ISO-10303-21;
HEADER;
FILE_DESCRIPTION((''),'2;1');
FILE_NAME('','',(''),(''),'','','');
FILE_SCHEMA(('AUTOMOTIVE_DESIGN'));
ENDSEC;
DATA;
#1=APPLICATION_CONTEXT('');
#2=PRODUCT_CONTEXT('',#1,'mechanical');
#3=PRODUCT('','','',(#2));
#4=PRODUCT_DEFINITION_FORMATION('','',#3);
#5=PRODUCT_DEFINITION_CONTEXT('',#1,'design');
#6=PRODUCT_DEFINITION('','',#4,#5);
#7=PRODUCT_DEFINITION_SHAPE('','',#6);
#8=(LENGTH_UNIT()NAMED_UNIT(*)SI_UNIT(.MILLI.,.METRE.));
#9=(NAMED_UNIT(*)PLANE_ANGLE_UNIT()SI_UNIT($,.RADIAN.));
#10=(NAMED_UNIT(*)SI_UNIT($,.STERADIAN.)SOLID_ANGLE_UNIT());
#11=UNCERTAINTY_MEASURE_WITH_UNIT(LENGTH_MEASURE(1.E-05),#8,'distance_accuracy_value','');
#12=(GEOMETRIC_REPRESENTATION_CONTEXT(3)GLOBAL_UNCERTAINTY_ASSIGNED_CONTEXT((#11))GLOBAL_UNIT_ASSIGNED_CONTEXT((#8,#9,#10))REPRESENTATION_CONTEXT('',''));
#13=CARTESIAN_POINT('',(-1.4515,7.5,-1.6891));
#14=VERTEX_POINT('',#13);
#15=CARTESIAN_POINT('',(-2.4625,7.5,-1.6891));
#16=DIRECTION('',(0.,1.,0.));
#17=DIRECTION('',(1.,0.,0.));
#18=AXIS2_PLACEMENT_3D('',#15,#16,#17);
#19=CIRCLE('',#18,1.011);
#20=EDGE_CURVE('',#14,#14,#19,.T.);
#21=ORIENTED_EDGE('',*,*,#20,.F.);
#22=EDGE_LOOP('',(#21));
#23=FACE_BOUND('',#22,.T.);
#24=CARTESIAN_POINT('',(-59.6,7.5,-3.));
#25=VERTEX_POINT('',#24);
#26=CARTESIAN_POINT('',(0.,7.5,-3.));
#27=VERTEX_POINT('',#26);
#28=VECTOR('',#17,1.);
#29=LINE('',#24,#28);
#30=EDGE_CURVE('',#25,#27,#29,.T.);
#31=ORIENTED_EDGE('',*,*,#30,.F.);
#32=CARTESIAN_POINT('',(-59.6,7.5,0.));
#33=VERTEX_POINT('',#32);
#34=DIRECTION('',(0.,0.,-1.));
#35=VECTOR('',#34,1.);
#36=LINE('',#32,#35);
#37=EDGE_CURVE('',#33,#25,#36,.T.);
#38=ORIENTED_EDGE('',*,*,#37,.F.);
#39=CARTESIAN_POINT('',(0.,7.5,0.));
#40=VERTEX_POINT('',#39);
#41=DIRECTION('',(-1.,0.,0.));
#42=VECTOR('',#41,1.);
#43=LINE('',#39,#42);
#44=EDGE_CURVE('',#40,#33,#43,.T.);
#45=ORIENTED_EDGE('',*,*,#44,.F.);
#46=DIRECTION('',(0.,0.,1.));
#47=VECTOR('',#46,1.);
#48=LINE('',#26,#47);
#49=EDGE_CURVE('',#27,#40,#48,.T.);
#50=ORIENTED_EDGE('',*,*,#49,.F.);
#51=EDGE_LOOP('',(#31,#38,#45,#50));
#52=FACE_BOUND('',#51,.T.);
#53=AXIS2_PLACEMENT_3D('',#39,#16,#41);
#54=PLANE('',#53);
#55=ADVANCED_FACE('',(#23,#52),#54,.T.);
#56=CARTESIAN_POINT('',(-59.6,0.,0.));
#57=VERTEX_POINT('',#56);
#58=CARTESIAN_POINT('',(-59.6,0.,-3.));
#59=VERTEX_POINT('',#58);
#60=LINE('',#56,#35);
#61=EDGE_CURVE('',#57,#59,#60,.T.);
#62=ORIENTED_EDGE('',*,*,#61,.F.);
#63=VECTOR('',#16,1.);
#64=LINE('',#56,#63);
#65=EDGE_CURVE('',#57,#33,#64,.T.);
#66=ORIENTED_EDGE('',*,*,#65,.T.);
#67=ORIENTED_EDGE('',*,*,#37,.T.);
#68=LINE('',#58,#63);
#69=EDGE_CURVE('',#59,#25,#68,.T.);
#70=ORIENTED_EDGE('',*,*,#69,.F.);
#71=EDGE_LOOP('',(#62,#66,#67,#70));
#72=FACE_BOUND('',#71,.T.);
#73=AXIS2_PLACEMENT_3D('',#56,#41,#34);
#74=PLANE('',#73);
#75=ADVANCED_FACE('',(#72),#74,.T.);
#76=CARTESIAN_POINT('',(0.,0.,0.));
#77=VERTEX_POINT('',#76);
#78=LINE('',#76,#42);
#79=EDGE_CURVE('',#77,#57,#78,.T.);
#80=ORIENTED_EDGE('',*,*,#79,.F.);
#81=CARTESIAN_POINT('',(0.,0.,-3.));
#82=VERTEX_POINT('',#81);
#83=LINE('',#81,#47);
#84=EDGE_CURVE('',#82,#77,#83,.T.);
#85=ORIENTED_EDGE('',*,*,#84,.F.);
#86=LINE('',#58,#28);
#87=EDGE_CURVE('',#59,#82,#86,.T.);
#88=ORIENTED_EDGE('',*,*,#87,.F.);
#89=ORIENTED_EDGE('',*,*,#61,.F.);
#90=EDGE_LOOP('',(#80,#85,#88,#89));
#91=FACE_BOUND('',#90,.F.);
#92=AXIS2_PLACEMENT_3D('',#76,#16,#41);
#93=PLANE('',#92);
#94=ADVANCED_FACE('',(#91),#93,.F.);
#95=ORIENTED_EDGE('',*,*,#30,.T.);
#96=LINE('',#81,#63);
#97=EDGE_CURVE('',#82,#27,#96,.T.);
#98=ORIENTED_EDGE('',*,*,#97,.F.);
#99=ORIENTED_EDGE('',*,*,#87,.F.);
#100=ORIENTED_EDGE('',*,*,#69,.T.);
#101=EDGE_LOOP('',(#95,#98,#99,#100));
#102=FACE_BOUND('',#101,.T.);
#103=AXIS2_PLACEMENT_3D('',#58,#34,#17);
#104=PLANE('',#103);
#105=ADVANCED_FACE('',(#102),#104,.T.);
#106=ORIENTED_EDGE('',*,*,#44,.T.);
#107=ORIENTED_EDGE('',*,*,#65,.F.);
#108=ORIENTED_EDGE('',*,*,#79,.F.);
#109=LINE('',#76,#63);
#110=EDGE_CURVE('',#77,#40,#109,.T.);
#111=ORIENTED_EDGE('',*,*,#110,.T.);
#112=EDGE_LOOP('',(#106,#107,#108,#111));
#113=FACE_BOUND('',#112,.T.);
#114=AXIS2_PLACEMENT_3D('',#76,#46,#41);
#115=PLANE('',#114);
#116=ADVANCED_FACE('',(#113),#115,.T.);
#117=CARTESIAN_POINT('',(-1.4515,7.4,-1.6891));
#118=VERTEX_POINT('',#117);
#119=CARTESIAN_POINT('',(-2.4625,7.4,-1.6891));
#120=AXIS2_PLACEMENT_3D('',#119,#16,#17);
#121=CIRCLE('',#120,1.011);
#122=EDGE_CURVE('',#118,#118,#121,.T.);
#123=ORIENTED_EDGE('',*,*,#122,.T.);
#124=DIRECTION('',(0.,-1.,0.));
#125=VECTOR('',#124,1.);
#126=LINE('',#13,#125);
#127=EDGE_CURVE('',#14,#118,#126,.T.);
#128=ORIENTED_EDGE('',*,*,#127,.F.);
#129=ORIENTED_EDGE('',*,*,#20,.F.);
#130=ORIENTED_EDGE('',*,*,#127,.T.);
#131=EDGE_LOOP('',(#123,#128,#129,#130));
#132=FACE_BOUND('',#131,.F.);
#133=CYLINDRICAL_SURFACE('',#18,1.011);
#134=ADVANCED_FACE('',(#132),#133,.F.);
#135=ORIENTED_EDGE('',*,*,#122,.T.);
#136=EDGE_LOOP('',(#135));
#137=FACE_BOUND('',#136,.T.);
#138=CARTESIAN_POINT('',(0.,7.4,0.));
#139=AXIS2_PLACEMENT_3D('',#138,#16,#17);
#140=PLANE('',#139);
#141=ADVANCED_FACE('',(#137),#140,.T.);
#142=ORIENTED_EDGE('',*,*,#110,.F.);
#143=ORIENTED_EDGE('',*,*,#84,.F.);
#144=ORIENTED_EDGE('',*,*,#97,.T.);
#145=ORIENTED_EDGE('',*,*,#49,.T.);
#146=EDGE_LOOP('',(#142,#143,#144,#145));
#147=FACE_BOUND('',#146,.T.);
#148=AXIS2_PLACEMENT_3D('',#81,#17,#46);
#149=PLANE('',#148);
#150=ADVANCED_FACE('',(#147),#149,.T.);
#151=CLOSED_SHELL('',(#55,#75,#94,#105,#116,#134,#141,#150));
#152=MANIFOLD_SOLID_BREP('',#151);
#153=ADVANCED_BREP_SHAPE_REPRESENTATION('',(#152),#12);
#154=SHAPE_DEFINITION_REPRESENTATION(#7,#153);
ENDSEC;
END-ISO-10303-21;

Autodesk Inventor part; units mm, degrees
ref_plane "YZ Plane" through (0, 0, 0) normal (1, 0, 0) x (0, 1, 0)
ref_plane "XZ Plane" through (0, 0, 0) normal (0, 1, 0) x (-1, 0, 0)
ref_plane "XY Plane" through (0, 0, 0) normal (0, 0, 1) x (1, 0, 0)
sketch "Sketch1" plane through (0, 0, 0) normal (0, 1, 0) x (-1, 0, 0)
  line L0 (0, 0) -> (59.6, 0)
  line L1 (59.6, 0) -> (59.6, -3)
  line L2 (59.6, -3) -> (0, -3)
  line L3 (0, -3) -> (0, 0)
  dimension "d0" = 59.6
  dimension "d1" = 3
extrude "Extrusion1" add sketch "Sketch1" along normal blind 7.5
sketch "Sketch2" plane through (0, 7.5, 0) normal (0, 1, 0) x (1, 0, 0)
  circle A0 centre (-2.4625, 1.6891) radius 1.011
  point P0 (0, 0)
extrude "Extrusion2" cut sketch "Sketch2" against normal blind 0.1
properties part number "sidewall"
